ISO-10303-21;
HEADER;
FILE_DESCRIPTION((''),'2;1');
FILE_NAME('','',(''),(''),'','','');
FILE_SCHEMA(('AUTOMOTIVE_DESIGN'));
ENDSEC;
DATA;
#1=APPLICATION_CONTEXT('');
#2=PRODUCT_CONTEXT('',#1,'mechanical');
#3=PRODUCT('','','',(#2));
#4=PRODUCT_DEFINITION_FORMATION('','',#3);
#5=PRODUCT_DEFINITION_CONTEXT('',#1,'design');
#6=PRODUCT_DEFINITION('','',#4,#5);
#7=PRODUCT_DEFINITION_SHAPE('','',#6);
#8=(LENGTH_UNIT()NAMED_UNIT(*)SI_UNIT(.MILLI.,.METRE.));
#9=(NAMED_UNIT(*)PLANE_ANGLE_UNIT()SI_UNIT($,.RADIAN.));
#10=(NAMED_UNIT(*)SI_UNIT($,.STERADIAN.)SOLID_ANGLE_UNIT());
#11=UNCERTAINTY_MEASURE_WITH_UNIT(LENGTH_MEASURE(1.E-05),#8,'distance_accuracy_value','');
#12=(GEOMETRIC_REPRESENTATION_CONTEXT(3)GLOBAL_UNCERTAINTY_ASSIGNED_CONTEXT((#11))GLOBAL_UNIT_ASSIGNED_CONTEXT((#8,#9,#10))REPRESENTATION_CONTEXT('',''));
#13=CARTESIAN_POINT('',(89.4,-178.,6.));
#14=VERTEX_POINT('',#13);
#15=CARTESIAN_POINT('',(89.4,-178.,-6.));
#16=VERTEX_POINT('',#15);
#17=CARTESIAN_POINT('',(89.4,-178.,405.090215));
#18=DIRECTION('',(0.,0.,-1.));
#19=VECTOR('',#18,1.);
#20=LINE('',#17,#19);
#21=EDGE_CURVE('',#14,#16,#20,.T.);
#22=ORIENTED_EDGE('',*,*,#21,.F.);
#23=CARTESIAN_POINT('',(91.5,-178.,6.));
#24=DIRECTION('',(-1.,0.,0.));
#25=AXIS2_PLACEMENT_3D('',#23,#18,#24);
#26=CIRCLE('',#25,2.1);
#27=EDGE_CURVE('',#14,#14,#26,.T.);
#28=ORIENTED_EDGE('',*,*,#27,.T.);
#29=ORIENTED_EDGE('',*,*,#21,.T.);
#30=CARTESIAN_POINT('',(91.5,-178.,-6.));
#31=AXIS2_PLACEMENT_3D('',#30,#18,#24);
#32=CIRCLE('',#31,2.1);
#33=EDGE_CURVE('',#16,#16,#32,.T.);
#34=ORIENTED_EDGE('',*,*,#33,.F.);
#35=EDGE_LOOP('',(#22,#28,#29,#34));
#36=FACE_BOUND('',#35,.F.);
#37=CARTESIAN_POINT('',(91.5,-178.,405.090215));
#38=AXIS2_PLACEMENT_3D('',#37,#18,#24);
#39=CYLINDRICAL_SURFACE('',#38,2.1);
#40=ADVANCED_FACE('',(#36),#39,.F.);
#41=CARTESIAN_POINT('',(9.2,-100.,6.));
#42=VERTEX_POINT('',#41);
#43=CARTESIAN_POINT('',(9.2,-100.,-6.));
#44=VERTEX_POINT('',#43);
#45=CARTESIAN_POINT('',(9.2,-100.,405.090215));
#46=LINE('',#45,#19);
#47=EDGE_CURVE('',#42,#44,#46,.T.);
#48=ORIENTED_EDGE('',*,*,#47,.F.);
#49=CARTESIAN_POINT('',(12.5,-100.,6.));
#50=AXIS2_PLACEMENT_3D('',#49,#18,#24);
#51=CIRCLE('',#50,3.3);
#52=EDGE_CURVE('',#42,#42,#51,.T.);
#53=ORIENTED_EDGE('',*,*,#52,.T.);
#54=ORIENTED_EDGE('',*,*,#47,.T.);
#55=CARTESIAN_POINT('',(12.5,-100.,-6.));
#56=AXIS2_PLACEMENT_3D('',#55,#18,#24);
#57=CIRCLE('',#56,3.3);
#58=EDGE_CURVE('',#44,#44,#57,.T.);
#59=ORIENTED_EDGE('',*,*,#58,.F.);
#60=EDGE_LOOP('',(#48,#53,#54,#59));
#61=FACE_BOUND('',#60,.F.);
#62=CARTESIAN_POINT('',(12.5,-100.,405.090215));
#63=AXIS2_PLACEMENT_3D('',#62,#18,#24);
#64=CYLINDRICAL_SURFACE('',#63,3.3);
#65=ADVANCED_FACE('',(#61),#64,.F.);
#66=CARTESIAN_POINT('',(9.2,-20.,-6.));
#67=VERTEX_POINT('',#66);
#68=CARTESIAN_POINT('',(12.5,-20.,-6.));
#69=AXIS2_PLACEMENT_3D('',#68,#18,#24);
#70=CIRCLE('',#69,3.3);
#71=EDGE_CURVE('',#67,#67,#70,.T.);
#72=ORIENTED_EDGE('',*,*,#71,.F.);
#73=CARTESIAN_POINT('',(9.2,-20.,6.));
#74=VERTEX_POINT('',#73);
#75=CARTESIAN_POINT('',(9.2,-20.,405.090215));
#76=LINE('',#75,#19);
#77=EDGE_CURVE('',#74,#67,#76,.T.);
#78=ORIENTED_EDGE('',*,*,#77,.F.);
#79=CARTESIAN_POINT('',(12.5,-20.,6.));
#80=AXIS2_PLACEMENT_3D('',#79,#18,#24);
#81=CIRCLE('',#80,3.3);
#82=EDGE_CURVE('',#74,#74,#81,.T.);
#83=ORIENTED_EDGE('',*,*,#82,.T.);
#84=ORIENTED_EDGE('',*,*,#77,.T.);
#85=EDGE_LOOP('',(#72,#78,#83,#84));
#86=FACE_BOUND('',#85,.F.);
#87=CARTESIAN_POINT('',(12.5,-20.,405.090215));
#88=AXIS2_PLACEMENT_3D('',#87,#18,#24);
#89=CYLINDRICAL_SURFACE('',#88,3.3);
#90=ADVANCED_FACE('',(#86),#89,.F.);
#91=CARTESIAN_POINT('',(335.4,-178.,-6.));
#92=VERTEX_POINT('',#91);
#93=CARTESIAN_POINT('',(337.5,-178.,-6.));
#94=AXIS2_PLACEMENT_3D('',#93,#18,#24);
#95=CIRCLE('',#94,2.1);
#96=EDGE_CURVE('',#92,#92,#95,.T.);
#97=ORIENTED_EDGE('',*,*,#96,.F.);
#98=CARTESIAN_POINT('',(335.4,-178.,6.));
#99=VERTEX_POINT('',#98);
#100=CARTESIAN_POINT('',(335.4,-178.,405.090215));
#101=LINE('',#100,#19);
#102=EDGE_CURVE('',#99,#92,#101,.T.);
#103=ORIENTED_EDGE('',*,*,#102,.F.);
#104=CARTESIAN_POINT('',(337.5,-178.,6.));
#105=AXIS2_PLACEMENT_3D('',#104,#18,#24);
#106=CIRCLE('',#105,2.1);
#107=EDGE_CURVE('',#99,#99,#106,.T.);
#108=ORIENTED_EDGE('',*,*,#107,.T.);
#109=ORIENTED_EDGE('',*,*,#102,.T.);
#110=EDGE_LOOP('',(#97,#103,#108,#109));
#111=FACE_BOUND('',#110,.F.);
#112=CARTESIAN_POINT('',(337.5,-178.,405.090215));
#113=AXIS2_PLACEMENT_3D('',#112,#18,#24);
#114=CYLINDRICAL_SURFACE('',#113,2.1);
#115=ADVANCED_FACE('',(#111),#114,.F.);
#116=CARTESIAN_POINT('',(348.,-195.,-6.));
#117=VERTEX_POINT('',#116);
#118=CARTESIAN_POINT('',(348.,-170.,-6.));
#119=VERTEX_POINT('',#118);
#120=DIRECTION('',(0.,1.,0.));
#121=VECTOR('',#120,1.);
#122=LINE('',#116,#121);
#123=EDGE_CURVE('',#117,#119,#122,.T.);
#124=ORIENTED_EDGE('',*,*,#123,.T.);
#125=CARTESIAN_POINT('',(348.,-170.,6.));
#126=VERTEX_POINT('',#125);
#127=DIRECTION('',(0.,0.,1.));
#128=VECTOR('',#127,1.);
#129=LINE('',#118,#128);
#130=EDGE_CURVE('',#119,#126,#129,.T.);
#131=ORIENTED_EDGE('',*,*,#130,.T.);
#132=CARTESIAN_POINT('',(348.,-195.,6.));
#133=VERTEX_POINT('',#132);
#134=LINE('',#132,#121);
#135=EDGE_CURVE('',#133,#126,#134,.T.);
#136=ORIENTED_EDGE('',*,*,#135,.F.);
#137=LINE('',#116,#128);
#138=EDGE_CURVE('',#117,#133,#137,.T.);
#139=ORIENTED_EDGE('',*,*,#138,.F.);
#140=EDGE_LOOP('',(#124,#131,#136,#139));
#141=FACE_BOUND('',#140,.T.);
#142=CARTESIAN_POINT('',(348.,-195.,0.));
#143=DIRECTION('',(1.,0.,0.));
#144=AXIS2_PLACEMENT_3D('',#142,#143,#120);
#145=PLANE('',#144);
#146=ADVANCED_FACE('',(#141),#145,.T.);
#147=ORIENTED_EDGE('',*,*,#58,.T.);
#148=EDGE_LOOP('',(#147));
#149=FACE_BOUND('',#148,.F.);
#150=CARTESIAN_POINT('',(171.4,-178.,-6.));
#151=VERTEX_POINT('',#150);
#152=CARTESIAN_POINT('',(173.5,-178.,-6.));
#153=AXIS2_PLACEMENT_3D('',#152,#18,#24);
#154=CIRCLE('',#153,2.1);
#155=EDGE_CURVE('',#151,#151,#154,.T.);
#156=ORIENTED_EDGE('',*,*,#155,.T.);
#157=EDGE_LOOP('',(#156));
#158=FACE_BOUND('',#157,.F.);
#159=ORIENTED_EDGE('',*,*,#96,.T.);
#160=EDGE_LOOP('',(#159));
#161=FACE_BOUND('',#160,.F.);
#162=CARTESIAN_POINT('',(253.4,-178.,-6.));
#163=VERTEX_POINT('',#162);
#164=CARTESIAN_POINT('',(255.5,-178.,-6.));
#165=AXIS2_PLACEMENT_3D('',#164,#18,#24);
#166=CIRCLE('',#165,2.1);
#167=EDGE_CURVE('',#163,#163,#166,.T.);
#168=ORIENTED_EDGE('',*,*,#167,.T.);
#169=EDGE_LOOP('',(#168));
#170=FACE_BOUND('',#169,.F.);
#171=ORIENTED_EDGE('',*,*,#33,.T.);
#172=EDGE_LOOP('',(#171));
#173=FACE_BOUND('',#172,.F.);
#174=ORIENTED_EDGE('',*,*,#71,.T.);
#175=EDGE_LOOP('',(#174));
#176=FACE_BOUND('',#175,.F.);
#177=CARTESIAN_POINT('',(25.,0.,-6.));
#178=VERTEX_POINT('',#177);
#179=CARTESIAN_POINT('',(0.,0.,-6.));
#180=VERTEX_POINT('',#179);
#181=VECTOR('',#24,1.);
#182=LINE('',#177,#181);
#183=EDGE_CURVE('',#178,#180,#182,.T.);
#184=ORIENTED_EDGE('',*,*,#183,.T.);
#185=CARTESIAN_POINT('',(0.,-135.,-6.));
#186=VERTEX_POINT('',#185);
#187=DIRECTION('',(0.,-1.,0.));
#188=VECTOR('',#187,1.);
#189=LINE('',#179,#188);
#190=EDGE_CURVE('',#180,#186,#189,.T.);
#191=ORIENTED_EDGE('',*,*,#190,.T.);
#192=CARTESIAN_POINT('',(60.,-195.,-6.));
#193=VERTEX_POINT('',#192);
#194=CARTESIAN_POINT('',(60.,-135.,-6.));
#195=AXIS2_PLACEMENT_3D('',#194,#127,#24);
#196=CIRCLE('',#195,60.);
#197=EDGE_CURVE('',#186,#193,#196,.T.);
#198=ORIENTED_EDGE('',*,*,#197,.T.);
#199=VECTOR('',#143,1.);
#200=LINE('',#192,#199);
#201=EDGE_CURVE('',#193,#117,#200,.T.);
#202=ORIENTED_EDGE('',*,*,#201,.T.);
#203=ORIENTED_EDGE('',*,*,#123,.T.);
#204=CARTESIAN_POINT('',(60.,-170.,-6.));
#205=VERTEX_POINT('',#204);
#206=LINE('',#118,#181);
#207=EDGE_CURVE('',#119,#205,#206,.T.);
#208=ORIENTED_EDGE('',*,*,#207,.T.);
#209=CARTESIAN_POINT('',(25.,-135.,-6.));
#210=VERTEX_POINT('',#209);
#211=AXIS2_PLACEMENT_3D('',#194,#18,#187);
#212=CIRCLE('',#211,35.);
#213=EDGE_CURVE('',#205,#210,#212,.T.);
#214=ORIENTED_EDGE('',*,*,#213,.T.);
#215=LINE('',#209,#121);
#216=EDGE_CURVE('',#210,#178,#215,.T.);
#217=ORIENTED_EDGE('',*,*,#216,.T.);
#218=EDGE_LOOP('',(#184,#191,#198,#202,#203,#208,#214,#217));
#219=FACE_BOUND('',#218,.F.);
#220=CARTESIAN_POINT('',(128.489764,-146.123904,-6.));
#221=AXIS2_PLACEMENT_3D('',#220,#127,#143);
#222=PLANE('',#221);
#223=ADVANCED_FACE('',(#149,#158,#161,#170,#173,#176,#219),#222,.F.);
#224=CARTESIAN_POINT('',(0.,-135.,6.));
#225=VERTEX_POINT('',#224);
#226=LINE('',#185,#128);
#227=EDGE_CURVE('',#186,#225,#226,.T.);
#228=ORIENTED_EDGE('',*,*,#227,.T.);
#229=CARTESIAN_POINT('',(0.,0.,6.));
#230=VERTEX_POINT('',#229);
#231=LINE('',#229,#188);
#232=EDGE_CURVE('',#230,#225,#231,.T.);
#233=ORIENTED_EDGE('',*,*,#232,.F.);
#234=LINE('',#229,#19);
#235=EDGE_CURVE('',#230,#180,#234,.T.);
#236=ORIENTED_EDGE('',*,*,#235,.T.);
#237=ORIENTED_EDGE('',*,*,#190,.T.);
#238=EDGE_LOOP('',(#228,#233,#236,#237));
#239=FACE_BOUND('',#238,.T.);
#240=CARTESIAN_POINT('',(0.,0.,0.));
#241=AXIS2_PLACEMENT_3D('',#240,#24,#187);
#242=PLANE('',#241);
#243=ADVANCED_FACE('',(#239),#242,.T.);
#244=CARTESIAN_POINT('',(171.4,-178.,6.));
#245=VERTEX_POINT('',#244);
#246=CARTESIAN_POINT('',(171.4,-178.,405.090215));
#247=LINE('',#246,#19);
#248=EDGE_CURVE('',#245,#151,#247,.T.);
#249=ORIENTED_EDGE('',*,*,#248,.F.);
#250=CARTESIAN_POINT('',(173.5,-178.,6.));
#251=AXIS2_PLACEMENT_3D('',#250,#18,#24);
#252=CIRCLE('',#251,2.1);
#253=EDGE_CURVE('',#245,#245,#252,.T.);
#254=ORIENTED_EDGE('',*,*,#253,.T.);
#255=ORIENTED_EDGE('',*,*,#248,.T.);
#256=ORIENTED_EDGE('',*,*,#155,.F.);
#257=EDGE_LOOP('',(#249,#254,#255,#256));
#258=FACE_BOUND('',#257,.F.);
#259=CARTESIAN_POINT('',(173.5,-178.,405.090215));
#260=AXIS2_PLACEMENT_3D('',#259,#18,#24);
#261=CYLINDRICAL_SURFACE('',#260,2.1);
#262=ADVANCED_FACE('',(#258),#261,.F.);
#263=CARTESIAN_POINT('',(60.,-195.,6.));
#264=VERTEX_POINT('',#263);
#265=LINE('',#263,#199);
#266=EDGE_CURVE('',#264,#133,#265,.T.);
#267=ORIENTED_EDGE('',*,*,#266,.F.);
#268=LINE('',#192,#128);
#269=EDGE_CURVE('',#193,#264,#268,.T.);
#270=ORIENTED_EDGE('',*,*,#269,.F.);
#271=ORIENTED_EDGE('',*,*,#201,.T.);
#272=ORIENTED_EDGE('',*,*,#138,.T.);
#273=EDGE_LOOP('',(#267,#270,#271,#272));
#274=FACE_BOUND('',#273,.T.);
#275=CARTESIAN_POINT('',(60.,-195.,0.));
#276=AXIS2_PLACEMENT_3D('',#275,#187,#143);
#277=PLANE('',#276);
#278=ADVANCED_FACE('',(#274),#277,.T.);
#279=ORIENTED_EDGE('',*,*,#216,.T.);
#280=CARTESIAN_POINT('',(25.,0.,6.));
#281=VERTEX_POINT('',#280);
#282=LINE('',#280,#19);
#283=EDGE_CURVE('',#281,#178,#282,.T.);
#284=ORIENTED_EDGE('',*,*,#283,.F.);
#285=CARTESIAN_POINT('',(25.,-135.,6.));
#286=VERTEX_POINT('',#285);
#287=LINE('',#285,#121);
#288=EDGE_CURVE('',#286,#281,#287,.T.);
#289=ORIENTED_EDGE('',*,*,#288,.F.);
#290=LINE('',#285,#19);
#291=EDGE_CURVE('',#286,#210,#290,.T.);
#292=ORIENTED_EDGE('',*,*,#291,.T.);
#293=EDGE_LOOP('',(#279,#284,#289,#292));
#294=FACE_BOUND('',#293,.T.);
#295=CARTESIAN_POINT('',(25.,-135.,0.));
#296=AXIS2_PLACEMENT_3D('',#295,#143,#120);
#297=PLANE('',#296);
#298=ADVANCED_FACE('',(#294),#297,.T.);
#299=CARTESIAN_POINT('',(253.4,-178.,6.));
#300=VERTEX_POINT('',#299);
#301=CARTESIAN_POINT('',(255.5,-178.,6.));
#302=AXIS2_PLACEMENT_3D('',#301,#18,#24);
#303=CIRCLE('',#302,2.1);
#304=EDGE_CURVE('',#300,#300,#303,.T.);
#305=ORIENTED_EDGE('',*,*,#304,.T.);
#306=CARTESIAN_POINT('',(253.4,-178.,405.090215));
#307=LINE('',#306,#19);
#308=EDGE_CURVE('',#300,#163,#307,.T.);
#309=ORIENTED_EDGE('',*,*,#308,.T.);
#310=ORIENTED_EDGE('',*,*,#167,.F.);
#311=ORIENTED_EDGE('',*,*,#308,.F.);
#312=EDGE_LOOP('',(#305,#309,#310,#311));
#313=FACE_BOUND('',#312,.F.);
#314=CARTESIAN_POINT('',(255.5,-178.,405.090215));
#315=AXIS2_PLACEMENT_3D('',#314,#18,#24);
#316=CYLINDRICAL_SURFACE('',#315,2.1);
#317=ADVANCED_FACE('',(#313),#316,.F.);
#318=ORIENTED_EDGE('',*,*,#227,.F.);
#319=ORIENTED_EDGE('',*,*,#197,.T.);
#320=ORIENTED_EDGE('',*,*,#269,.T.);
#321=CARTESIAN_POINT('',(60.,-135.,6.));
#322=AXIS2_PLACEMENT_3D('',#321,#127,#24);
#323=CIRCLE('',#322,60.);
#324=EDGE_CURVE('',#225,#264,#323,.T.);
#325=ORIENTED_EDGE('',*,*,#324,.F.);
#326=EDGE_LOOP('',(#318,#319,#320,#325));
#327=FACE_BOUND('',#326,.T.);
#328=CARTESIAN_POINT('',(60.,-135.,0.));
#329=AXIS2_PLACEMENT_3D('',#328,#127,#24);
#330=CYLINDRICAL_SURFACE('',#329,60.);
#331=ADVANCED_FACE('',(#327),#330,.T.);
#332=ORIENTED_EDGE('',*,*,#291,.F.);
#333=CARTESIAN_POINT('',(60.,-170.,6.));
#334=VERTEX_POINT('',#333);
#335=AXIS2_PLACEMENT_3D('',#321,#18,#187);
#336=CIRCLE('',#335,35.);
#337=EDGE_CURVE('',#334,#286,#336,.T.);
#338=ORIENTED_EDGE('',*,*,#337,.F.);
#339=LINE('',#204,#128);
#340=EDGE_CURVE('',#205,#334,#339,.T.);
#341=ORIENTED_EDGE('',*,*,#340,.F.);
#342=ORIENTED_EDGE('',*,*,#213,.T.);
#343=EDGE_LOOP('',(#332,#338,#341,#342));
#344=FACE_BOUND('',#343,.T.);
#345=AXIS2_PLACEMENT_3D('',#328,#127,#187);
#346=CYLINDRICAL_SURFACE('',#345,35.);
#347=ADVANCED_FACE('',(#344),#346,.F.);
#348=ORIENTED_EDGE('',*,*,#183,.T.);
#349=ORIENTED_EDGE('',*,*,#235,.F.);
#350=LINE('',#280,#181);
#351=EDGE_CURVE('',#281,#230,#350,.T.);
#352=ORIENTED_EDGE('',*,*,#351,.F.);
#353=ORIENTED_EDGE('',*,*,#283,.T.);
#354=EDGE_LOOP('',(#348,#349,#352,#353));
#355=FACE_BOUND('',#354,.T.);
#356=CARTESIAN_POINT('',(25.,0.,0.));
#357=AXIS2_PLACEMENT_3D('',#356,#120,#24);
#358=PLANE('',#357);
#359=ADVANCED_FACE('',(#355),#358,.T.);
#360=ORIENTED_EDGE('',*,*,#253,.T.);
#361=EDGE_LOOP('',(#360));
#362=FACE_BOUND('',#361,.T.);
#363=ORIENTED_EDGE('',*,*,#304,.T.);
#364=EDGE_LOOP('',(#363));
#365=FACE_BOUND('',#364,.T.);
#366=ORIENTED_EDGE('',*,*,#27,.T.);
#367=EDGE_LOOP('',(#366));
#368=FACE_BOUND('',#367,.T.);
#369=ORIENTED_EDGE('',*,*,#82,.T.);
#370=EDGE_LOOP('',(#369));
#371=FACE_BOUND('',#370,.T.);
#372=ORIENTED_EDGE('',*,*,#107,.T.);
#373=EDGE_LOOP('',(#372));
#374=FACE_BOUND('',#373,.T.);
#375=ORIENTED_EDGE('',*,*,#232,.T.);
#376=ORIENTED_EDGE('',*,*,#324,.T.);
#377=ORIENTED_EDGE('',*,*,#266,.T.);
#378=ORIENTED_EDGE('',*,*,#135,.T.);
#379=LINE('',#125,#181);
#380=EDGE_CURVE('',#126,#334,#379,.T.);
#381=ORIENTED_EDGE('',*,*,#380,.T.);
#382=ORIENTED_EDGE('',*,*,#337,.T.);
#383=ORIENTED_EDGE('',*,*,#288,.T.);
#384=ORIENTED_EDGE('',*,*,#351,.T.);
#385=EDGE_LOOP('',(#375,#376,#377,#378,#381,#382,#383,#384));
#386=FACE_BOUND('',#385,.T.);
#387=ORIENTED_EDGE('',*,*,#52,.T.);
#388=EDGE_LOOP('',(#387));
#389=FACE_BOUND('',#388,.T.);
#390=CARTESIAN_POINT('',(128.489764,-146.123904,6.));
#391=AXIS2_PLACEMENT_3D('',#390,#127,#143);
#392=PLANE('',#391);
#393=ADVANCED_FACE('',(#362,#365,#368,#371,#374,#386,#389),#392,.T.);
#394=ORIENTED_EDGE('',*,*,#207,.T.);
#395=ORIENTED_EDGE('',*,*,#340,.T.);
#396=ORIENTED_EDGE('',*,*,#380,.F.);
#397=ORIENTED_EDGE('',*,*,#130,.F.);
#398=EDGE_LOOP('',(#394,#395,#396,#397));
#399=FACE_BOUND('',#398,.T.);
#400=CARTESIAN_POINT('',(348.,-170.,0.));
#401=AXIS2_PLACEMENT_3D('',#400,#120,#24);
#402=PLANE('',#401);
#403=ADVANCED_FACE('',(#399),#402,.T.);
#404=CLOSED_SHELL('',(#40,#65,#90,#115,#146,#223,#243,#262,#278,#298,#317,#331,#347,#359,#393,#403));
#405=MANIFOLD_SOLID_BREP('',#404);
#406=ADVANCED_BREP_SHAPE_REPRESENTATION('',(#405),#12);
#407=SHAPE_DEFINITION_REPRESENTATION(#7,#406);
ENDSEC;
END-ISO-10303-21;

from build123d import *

# Parameters (mm, degrees)
BOSS_EXTRUDE1_DEPTH  = 6
M6_CLEARANCE_HOLE1_D = 6.6
M5_TAPPED_HOLE1_D    = 4.2
LPATTERN1_COUNT      = 4
LPATTERN1_PITCH      = 82


with BuildPart() as part:
    # Sketch1 → Boss-Extrude1 (new body, symmetric)
    with BuildSketch(Plane.XY):
        with BuildLine():
            Line((0, 0), (0, -135))
            ThreePointArc((0, -135), (17.573593129, -177.426406871), (60, -195))
            Line((60, -195), (348, -195))
            Line((348, -195), (348, -170))
            Line((348, -170), (60, -170))
            ThreePointArc((60, -170), (35.251262658, -159.748737342), (25, -135))
            Line((25, -135), (25, 0))
            Line((25, 0), (0, 0))
        make_face()
    extrude(amount=BOSS_EXTRUDE1_DEPTH, both=True)

    # M6 Clearance Hole1 (through all)
    with Locations(Plane.XY.offset(6)):
        with Locations((12.5, -20), (12.5, -100)):
            Hole(M6_CLEARANCE_HOLE1_D / 2)

    # M5 Tapped Hole1 (through all)
    with Locations(Plane.XY.offset(6)):
        with Locations((337.5, -178)):
            m5_tapped_hole1 = Hole(M5_TAPPED_HOLE1_D / 2)

    # LPattern1: M5 Tapped Hole1 ×4
    with Locations(*[(-i * LPATTERN1_PITCH, 0, 0) for i in range(1, LPATTERN1_COUNT)]):
        add(m5_tapped_hole1, mode=Mode.SUBTRACT)


solid = part.part
